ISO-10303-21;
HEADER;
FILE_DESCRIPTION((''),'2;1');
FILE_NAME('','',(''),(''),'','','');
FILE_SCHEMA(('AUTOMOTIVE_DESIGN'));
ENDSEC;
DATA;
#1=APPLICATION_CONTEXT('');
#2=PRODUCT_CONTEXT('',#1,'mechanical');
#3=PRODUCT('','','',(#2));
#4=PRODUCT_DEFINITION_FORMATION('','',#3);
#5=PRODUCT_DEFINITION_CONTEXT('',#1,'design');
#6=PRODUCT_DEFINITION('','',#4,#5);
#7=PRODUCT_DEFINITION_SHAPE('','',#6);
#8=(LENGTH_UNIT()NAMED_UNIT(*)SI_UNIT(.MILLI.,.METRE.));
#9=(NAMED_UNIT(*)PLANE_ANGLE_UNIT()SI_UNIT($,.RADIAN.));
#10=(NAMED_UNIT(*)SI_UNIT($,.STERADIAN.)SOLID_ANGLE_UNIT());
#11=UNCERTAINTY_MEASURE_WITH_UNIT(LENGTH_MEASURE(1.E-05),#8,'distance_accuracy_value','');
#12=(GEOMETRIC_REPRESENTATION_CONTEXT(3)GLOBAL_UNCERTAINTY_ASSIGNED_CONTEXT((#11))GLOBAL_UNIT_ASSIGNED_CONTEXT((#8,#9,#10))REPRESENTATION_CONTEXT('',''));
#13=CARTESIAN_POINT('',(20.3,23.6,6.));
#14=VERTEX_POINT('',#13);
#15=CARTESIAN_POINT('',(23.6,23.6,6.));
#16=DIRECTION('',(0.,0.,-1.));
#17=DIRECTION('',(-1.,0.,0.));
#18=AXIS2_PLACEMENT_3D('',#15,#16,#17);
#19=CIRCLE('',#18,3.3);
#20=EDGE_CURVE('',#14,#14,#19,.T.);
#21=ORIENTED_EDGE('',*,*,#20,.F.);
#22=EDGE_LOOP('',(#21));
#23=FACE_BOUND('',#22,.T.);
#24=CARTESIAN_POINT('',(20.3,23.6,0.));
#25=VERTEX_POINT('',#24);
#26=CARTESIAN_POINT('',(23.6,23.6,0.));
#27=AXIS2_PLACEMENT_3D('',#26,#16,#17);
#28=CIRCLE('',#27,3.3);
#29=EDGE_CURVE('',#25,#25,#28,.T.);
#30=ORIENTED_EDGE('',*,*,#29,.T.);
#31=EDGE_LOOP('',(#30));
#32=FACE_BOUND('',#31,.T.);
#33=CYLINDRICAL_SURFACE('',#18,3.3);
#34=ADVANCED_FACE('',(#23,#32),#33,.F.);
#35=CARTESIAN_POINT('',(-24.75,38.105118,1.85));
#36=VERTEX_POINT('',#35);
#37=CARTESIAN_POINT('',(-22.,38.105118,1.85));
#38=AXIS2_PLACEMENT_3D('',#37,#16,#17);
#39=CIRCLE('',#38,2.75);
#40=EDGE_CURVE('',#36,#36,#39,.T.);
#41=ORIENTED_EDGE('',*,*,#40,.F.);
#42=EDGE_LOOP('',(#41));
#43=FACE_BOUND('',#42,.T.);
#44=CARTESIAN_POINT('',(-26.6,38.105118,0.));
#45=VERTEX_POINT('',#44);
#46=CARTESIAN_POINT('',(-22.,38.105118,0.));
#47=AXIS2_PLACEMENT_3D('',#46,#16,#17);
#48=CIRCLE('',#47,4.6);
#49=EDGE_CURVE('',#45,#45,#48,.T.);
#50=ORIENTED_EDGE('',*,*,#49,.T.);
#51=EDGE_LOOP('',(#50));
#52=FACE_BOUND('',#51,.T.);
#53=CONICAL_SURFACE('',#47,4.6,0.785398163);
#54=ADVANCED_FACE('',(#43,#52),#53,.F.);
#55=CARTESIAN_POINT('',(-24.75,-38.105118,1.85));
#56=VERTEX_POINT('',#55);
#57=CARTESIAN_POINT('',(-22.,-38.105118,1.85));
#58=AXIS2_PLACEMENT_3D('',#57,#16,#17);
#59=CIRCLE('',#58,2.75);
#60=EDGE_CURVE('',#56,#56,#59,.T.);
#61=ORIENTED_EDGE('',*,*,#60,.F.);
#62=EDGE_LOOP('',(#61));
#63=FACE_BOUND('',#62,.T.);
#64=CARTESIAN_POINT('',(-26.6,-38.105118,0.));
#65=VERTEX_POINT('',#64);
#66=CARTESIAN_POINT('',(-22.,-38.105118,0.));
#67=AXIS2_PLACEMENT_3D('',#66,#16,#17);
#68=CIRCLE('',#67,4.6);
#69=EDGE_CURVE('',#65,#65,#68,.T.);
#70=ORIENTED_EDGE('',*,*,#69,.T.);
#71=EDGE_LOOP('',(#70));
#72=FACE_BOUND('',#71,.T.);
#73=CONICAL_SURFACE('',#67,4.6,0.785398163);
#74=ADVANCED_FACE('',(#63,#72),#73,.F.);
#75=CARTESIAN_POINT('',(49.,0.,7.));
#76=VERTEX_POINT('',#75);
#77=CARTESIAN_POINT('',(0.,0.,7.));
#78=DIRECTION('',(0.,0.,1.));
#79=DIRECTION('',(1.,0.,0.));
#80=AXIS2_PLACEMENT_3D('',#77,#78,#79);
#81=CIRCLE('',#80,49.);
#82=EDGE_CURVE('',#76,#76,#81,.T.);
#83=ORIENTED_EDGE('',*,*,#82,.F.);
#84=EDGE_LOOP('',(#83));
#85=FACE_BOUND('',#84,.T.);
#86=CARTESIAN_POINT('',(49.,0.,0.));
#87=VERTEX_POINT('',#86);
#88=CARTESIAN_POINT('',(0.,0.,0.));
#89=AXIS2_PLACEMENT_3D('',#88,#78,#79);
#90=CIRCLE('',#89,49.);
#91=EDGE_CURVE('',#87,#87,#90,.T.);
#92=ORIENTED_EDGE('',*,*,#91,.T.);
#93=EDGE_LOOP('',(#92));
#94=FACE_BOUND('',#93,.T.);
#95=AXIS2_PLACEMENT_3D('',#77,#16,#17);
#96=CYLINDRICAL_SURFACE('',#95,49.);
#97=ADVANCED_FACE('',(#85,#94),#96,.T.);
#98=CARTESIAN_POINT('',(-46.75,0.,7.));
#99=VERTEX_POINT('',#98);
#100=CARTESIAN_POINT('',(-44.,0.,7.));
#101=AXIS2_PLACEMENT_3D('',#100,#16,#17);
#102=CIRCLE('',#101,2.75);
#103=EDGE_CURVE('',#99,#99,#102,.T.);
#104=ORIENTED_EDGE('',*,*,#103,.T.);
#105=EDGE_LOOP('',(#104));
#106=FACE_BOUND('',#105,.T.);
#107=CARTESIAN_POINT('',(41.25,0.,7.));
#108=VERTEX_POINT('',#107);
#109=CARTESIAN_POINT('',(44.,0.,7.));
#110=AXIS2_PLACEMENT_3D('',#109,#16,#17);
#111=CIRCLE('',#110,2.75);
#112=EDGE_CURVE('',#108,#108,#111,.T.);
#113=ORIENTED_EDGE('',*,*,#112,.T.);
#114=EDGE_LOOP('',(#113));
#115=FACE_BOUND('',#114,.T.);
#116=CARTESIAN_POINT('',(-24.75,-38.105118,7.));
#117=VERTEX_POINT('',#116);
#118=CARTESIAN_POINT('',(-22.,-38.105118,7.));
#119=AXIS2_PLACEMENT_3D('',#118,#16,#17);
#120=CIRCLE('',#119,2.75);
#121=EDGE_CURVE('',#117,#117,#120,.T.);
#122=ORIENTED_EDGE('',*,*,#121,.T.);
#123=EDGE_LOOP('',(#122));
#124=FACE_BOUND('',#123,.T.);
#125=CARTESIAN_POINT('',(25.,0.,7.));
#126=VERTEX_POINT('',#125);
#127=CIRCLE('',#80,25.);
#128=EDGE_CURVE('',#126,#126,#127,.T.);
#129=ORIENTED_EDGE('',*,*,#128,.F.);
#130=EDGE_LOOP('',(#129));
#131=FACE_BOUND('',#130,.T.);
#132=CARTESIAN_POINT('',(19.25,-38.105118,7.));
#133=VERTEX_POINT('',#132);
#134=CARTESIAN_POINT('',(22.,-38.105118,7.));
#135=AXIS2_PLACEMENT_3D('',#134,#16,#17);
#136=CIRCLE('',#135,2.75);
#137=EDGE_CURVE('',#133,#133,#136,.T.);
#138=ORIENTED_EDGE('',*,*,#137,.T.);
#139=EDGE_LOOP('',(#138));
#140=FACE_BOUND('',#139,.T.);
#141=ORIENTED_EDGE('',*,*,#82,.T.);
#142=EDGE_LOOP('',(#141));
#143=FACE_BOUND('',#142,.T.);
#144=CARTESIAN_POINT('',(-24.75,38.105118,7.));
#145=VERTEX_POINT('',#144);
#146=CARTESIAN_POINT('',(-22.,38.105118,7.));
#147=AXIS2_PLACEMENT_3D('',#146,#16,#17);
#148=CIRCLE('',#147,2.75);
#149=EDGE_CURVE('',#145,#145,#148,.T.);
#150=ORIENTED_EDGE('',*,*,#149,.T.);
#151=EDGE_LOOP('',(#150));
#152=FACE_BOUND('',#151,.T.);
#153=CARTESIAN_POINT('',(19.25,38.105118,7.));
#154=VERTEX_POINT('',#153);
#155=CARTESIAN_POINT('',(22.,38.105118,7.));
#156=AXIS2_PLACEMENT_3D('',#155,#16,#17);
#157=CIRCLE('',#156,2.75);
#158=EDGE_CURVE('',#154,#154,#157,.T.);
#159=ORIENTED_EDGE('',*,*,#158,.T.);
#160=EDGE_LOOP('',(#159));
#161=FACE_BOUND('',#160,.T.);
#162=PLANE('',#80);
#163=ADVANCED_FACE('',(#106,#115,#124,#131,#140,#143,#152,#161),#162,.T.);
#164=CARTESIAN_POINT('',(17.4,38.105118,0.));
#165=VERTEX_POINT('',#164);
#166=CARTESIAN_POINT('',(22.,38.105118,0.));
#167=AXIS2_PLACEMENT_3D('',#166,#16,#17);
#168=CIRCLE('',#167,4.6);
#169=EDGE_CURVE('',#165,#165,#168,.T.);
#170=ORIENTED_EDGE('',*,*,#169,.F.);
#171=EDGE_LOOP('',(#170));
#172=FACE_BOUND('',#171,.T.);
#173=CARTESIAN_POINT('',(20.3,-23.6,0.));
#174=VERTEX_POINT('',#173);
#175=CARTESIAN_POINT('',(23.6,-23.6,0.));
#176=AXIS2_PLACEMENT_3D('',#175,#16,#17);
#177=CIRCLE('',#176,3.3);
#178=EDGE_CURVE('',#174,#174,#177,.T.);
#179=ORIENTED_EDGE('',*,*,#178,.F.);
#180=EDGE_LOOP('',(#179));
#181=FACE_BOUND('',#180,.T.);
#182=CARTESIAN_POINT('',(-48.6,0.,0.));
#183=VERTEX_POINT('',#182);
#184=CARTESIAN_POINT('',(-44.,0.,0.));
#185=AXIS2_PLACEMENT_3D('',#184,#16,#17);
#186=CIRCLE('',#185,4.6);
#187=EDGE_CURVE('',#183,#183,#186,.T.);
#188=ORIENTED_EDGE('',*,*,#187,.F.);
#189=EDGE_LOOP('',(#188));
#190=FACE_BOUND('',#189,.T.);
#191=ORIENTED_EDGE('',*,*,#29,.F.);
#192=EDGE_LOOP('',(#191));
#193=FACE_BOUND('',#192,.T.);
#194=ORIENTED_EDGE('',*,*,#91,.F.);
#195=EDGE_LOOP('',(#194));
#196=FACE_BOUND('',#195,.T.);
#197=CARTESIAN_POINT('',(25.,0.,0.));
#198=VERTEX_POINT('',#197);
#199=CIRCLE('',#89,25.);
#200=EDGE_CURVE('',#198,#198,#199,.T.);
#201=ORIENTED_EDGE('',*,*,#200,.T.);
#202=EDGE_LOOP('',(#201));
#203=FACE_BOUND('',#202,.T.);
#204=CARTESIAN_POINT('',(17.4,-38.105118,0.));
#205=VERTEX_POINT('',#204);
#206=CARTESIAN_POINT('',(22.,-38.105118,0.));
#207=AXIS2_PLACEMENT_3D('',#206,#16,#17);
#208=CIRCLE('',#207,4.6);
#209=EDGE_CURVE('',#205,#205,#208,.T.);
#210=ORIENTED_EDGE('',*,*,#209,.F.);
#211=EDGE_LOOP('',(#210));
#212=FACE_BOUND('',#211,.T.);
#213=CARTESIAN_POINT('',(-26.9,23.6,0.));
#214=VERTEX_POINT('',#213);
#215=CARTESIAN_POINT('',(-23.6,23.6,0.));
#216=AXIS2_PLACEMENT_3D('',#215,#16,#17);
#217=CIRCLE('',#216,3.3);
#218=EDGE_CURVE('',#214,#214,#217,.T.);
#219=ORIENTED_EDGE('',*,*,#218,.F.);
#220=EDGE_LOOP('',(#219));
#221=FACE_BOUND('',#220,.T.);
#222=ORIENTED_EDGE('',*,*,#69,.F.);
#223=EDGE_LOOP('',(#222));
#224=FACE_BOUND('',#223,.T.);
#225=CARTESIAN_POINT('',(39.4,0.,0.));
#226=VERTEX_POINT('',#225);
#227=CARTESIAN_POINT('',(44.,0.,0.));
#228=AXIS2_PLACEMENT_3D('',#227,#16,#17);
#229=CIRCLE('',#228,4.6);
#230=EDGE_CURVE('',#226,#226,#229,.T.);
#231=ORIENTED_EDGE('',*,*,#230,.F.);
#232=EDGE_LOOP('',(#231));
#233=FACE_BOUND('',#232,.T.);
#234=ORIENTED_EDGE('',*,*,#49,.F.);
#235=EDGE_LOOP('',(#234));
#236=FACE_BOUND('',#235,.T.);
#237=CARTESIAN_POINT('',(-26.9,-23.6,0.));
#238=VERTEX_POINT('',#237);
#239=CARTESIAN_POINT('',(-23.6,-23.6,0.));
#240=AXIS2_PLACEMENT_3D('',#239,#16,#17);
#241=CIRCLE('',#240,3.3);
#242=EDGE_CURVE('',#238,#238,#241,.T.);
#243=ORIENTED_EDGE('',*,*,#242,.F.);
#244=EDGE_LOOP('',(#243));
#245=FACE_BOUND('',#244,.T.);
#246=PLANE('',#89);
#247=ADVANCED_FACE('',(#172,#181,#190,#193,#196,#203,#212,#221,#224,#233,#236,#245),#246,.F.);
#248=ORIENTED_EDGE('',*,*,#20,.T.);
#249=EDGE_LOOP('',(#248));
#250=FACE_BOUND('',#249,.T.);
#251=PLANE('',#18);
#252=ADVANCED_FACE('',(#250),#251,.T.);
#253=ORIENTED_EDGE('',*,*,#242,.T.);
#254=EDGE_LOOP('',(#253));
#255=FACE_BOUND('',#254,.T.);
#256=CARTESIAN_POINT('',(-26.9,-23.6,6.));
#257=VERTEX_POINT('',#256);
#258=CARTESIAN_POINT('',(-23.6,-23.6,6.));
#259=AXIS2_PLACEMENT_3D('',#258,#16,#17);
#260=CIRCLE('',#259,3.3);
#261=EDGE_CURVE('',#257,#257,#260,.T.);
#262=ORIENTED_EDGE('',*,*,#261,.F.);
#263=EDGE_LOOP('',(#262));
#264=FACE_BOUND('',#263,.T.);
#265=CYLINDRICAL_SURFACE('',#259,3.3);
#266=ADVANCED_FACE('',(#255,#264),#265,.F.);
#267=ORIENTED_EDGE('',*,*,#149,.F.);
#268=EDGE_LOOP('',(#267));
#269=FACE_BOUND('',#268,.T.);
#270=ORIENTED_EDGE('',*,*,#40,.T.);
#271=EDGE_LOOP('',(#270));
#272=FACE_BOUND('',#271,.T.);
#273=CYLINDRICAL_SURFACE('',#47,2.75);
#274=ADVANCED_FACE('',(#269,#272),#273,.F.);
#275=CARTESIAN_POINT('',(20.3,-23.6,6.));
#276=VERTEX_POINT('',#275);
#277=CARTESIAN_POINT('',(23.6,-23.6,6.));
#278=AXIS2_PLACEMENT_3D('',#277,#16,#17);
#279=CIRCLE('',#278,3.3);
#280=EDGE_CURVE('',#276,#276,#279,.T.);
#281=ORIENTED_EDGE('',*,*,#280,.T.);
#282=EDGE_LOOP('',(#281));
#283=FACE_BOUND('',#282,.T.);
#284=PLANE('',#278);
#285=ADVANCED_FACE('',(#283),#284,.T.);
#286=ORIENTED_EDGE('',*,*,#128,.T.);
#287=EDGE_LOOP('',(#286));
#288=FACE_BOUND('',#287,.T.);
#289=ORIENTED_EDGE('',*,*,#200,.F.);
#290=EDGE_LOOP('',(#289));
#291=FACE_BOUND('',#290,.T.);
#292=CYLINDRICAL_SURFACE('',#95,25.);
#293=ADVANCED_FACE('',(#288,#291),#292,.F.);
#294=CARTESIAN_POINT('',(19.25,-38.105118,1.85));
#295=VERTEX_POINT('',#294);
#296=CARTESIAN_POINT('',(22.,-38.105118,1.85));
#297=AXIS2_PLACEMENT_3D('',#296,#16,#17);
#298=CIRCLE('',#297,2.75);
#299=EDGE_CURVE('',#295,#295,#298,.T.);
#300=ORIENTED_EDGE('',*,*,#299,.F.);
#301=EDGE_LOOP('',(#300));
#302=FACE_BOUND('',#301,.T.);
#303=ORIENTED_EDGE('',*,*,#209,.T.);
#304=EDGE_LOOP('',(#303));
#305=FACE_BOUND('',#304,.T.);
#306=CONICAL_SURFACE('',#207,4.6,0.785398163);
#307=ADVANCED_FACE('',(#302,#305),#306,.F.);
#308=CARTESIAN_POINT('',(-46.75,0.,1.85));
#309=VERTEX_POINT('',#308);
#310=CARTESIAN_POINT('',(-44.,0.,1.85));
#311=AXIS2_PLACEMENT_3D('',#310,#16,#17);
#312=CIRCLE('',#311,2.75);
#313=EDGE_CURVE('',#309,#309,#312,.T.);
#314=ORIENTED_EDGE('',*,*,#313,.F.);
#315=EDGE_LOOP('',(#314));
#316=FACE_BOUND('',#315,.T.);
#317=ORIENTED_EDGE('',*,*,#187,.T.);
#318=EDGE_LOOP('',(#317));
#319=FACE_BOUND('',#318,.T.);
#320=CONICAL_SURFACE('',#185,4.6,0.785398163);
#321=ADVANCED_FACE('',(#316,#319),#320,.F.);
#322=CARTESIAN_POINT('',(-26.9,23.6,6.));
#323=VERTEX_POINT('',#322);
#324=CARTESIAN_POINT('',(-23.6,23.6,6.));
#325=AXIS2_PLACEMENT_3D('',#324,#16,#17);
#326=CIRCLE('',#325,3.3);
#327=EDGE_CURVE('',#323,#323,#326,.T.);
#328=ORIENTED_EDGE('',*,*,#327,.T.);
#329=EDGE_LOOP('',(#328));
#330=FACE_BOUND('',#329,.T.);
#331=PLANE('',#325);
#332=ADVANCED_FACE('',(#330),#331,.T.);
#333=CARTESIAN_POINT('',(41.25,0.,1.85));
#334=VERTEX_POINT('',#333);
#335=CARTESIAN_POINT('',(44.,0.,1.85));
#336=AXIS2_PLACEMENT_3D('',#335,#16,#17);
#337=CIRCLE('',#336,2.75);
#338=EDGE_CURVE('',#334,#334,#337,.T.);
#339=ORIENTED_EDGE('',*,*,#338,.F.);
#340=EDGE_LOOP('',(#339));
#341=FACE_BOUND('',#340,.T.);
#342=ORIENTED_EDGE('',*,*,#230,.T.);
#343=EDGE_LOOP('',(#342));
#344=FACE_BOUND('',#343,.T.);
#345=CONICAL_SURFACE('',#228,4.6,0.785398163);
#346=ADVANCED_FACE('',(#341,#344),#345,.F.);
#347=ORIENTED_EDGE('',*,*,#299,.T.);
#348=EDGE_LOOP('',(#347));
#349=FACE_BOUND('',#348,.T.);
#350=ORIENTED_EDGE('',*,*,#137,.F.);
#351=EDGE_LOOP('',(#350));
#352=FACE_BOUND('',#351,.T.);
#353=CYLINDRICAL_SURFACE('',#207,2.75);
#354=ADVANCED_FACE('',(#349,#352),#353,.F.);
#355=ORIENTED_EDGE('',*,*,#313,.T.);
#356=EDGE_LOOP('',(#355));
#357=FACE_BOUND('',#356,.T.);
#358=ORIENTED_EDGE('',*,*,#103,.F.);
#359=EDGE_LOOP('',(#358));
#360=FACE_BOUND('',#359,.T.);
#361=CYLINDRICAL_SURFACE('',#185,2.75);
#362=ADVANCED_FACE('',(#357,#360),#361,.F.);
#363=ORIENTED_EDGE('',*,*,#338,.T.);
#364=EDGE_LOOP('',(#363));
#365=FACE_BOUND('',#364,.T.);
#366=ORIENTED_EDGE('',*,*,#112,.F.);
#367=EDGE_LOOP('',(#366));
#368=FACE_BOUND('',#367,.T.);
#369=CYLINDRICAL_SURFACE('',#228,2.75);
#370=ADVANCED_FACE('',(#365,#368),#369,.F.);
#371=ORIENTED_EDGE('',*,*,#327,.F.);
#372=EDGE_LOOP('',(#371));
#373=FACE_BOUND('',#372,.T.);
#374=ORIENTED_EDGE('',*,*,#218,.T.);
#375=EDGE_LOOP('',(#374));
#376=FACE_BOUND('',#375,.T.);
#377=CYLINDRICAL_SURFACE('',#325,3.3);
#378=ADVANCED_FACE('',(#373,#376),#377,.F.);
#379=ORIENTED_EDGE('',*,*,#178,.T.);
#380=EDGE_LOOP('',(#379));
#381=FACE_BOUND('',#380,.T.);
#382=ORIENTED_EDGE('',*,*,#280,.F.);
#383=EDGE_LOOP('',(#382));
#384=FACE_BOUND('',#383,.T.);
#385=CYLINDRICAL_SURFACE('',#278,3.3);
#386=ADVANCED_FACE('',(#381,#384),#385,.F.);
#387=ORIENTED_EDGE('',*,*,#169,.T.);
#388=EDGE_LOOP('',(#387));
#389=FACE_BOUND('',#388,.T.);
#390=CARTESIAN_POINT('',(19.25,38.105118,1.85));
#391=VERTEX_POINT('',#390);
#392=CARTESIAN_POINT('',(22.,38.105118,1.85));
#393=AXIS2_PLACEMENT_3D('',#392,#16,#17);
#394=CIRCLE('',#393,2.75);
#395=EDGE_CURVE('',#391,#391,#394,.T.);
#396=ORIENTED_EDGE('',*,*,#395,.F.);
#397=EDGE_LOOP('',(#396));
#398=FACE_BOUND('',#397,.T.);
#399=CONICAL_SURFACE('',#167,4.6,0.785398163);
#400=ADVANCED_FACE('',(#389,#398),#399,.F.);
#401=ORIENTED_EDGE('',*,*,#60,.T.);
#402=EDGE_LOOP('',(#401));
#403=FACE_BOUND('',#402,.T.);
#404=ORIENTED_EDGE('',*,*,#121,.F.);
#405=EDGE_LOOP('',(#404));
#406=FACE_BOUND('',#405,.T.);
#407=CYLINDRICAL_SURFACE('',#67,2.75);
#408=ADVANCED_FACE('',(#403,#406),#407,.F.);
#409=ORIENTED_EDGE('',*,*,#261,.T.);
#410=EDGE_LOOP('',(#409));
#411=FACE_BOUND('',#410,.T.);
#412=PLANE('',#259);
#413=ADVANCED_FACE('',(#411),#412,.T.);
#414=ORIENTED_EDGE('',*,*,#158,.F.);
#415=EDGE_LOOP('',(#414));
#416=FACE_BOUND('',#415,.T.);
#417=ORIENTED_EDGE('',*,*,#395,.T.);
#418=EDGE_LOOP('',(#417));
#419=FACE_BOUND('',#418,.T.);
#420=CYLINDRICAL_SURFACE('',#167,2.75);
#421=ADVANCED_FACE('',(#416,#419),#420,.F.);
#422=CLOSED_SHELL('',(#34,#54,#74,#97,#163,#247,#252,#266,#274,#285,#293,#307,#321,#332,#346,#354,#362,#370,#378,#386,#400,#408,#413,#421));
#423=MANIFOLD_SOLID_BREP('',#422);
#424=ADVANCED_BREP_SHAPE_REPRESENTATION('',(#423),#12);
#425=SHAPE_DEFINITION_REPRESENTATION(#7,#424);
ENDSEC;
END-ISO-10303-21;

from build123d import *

# Parameters (mm, degrees)
SZKIC1_R                                            = 49
SZKIC1_R_2                                          = 25
DODANIE_WYCI_GNI_CIE1_DEPTH                         = 7
POG_BIENIE_STO_KOWE_POD_M5_DIN965_WKR_T_D           = 5.5
POG_BIENIE_STO_KOWE_POD_M5_DIN965_WKR_T_CSINK_D     = 9.2
POG_BIENIE_STO_KOWE_POD_M5_DIN965_WKR_T_CSINK_ANGLE = 90
SZYK_KO_OWY1_COUNT                                  = 6
SZKIC5_R                                            = 3.3
WYTNIJ_WYCI_GNI_CIE1_DEPTH                          = 6


with BuildPart() as part:
    # Szkic1 → Dodanie-wyciągnięcie1 (new body)
    with BuildSketch(Plane.XY):
        Circle(SZKIC1_R)
        Circle(SZKIC1_R_2, mode=Mode.SUBTRACT)
    extrude(amount=DODANIE_WYCI_GNI_CIE1_DEPTH)

    # Pogłębienie stożkowe pod M5 DIN965 Wkręt z łbem płaskim1 (through all)
    with Locations(Plane(origin=(0, 0, 0), x_dir=(-1, 0, 0), z_dir=(0, 0, -1))):
        with Locations((44, 0)):
            pog_bienie_sto_kowe_pod_m5_din965_wkr_t = CounterSinkHole(POG_BIENIE_STO_KOWE_POD_M5_DIN965_WKR_T_D / 2, POG_BIENIE_STO_KOWE_POD_M5_DIN965_WKR_T_CSINK_D / 2, counter_sink_angle=POG_BIENIE_STO_KOWE_POD_M5_DIN965_WKR_T_CSINK_ANGLE)

    # Szyk kołowy1: Pogłębienie stożkowe pod M5 DIN965 Wkręt z łbem płaskim1 ×6 about axis
    szyk_ko_owy1_axis = Axis((0, 0, 0), (0, 0, 1))
    for i in range(1, SZYK_KO_OWY1_COUNT):
        add(pog_bienie_sto_kowe_pod_m5_din965_wkr_t.rotate(szyk_ko_owy1_axis, i * 360 / SZYK_KO_OWY1_COUNT), mode=Mode.SUBTRACT)

    # Szkic5 → Wytnij-wyciągnięcie1 (cut)
    with BuildSketch(Plane(origin=(0, 0, 0), x_dir=(-1, 0, 0), z_dir=(0, 0, -1))):
        with Locations((23.6, 23.6)):
            Circle(SZKIC5_R)
        with Locations((23.6, -23.6)):
            Circle(SZKIC5_R)
        with Locations((-23.6, 23.6)):
            Circle(SZKIC5_R)
        with Locations((-23.6, -23.6)):
            Circle(SZKIC5_R)
    extrude(amount=-WYTNIJ_WYCI_GNI_CIE1_DEPTH, mode=Mode.SUBTRACT)


solid = part.part
